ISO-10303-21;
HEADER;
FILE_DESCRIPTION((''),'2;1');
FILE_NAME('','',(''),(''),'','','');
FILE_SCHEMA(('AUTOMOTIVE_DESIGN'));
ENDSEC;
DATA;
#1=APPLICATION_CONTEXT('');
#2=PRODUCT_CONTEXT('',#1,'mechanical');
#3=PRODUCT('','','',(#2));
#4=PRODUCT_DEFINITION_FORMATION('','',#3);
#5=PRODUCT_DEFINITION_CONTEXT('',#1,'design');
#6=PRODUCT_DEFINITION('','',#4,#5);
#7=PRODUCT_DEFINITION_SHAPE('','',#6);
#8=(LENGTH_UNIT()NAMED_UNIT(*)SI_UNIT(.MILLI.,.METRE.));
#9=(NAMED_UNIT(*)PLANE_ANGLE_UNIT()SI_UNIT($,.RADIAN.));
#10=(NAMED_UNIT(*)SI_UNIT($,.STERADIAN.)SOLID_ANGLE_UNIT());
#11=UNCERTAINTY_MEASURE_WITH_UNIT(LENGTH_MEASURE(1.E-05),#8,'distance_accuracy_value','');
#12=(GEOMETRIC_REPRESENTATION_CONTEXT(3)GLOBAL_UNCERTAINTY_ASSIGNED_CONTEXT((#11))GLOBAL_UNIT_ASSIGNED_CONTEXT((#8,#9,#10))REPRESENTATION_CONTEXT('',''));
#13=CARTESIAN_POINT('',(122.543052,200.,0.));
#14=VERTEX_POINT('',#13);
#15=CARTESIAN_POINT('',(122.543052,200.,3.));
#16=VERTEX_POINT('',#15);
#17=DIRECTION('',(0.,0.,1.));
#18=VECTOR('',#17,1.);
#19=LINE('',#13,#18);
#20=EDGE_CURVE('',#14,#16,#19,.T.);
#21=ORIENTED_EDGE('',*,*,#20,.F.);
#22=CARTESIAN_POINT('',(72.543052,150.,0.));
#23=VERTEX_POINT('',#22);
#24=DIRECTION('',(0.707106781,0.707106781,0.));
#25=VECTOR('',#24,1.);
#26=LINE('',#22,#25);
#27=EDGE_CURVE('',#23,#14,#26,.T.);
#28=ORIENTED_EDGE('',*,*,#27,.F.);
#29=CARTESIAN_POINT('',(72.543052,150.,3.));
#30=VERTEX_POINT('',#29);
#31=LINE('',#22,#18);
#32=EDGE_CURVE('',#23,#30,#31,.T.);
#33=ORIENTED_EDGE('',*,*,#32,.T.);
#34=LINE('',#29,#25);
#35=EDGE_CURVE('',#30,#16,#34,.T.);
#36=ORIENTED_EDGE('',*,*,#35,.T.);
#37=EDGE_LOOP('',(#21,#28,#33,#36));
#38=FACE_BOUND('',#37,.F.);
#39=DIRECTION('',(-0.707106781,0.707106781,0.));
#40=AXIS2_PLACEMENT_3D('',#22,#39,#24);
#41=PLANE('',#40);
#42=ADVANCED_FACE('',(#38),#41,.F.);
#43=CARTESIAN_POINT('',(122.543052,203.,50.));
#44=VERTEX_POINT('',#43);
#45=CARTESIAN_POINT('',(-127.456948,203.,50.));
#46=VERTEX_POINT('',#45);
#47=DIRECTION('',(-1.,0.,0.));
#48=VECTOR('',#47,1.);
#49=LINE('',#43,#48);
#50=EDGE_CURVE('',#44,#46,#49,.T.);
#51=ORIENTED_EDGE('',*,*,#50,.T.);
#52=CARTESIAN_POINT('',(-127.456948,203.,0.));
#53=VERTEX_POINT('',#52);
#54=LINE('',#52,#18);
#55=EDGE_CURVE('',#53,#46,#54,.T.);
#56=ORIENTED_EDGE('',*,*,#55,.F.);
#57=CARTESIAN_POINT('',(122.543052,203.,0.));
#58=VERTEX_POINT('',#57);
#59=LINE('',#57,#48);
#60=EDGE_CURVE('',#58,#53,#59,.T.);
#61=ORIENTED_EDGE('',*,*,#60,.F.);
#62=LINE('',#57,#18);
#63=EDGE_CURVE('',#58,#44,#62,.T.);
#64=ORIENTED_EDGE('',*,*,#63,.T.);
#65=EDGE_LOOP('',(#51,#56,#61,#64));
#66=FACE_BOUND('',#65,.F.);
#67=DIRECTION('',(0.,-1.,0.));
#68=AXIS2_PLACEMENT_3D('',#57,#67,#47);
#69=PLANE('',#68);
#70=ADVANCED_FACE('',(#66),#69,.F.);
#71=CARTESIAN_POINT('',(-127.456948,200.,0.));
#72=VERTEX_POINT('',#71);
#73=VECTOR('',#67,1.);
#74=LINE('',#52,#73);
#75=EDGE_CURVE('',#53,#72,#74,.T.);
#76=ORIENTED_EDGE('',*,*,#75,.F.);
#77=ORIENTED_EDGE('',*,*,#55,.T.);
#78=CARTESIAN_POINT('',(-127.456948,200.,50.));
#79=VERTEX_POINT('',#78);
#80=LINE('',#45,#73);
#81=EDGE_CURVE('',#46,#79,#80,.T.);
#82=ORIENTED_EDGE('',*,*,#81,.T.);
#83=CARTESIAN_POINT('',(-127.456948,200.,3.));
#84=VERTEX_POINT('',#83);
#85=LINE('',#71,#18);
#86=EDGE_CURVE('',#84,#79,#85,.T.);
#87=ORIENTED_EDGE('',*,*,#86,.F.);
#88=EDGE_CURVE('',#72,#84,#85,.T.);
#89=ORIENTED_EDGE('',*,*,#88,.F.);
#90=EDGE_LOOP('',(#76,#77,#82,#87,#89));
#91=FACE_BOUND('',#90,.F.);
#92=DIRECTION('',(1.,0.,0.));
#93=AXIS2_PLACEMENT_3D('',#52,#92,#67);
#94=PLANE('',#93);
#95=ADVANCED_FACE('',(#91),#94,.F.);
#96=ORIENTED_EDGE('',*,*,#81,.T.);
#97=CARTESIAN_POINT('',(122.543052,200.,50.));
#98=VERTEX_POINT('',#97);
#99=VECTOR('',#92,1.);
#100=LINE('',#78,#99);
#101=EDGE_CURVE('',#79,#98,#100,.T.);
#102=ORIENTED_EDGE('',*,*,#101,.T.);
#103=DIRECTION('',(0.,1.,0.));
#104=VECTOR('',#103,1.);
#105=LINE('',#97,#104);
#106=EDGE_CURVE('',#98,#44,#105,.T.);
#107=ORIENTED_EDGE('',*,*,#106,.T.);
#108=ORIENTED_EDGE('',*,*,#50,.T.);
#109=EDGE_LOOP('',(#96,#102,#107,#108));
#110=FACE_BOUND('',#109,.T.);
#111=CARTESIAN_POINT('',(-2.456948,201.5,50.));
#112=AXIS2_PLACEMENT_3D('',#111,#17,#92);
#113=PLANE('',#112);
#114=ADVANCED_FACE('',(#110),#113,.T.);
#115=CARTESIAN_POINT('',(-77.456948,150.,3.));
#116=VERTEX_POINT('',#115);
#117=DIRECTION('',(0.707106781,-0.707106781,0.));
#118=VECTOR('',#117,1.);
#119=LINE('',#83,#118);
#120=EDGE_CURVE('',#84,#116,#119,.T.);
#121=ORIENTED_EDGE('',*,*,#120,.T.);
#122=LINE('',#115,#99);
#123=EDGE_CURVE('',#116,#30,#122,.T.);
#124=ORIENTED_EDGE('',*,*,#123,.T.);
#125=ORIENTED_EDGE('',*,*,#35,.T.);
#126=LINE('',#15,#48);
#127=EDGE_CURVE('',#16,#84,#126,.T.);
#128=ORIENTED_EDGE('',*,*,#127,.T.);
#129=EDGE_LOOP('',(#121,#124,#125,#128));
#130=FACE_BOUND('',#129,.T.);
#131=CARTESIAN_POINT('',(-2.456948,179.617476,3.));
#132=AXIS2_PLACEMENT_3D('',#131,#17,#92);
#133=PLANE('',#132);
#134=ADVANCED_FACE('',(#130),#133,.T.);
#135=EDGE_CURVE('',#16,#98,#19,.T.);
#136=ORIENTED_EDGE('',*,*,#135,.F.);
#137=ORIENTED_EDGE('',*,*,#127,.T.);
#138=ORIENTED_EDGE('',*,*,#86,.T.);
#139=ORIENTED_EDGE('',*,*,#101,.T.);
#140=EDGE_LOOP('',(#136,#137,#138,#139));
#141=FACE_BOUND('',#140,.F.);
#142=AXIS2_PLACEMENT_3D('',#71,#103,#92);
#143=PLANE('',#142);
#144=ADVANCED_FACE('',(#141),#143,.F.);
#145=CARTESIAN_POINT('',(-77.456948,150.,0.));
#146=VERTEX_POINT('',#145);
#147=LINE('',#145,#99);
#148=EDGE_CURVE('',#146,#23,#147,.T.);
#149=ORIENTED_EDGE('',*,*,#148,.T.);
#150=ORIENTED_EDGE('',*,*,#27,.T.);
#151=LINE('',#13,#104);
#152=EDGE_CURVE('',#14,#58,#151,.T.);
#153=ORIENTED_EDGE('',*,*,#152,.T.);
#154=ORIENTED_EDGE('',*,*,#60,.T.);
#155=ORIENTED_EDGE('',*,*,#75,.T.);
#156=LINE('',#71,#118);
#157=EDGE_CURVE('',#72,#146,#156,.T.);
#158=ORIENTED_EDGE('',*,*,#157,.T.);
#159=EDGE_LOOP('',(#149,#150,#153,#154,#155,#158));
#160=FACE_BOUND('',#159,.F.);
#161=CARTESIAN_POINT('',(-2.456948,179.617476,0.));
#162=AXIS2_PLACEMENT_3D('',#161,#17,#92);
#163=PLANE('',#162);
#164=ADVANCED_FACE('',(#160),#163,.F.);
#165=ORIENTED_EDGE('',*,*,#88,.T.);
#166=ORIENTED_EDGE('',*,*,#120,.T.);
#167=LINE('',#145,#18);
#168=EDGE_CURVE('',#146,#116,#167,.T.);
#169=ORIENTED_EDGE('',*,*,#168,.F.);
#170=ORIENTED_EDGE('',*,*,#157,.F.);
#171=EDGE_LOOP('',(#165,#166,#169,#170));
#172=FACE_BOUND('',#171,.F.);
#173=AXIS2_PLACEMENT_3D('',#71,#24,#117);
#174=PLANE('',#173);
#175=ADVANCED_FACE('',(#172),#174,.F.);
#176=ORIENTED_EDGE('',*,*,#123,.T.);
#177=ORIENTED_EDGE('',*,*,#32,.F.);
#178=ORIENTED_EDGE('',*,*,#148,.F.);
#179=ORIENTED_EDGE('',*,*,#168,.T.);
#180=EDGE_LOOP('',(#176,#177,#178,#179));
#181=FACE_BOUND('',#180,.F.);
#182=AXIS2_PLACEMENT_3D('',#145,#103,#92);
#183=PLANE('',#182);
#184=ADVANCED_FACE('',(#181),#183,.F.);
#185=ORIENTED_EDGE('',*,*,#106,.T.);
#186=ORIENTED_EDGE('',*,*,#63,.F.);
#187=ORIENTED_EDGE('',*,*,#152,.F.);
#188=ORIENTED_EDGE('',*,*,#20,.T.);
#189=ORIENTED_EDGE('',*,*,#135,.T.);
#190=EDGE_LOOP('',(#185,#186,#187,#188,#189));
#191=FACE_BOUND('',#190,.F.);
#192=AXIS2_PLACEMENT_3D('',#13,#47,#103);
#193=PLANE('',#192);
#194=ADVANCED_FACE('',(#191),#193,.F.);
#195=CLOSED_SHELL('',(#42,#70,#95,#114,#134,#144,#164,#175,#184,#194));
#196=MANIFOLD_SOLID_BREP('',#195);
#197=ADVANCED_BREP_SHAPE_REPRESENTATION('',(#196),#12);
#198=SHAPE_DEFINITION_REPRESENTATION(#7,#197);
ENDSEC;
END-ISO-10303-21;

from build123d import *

# Parameters (mm, degrees)
F1_DEPTH = 50
F2_DEPTH = 3


with BuildPart() as f1:
    # F0 (on Top) → F1 (new body)
    with BuildSketch(Plane.XY):
        Polygon((-127.456948, 203), (-127.456948, 200), (-41.785181, 200), (122.543052, 200), (122.543052, 203), align=None)
    extrude(amount=F1_DEPTH)

    # F0 (on Top) → F2 (join)
    with BuildSketch(Plane.XY):
        Polygon((-41.785181, 200), (-127.456948, 200), (-77.456948, 150), (72.543052, 150), (122.543052, 200), align=None)
    extrude(amount=F2_DEPTH)


solid = f1.part
